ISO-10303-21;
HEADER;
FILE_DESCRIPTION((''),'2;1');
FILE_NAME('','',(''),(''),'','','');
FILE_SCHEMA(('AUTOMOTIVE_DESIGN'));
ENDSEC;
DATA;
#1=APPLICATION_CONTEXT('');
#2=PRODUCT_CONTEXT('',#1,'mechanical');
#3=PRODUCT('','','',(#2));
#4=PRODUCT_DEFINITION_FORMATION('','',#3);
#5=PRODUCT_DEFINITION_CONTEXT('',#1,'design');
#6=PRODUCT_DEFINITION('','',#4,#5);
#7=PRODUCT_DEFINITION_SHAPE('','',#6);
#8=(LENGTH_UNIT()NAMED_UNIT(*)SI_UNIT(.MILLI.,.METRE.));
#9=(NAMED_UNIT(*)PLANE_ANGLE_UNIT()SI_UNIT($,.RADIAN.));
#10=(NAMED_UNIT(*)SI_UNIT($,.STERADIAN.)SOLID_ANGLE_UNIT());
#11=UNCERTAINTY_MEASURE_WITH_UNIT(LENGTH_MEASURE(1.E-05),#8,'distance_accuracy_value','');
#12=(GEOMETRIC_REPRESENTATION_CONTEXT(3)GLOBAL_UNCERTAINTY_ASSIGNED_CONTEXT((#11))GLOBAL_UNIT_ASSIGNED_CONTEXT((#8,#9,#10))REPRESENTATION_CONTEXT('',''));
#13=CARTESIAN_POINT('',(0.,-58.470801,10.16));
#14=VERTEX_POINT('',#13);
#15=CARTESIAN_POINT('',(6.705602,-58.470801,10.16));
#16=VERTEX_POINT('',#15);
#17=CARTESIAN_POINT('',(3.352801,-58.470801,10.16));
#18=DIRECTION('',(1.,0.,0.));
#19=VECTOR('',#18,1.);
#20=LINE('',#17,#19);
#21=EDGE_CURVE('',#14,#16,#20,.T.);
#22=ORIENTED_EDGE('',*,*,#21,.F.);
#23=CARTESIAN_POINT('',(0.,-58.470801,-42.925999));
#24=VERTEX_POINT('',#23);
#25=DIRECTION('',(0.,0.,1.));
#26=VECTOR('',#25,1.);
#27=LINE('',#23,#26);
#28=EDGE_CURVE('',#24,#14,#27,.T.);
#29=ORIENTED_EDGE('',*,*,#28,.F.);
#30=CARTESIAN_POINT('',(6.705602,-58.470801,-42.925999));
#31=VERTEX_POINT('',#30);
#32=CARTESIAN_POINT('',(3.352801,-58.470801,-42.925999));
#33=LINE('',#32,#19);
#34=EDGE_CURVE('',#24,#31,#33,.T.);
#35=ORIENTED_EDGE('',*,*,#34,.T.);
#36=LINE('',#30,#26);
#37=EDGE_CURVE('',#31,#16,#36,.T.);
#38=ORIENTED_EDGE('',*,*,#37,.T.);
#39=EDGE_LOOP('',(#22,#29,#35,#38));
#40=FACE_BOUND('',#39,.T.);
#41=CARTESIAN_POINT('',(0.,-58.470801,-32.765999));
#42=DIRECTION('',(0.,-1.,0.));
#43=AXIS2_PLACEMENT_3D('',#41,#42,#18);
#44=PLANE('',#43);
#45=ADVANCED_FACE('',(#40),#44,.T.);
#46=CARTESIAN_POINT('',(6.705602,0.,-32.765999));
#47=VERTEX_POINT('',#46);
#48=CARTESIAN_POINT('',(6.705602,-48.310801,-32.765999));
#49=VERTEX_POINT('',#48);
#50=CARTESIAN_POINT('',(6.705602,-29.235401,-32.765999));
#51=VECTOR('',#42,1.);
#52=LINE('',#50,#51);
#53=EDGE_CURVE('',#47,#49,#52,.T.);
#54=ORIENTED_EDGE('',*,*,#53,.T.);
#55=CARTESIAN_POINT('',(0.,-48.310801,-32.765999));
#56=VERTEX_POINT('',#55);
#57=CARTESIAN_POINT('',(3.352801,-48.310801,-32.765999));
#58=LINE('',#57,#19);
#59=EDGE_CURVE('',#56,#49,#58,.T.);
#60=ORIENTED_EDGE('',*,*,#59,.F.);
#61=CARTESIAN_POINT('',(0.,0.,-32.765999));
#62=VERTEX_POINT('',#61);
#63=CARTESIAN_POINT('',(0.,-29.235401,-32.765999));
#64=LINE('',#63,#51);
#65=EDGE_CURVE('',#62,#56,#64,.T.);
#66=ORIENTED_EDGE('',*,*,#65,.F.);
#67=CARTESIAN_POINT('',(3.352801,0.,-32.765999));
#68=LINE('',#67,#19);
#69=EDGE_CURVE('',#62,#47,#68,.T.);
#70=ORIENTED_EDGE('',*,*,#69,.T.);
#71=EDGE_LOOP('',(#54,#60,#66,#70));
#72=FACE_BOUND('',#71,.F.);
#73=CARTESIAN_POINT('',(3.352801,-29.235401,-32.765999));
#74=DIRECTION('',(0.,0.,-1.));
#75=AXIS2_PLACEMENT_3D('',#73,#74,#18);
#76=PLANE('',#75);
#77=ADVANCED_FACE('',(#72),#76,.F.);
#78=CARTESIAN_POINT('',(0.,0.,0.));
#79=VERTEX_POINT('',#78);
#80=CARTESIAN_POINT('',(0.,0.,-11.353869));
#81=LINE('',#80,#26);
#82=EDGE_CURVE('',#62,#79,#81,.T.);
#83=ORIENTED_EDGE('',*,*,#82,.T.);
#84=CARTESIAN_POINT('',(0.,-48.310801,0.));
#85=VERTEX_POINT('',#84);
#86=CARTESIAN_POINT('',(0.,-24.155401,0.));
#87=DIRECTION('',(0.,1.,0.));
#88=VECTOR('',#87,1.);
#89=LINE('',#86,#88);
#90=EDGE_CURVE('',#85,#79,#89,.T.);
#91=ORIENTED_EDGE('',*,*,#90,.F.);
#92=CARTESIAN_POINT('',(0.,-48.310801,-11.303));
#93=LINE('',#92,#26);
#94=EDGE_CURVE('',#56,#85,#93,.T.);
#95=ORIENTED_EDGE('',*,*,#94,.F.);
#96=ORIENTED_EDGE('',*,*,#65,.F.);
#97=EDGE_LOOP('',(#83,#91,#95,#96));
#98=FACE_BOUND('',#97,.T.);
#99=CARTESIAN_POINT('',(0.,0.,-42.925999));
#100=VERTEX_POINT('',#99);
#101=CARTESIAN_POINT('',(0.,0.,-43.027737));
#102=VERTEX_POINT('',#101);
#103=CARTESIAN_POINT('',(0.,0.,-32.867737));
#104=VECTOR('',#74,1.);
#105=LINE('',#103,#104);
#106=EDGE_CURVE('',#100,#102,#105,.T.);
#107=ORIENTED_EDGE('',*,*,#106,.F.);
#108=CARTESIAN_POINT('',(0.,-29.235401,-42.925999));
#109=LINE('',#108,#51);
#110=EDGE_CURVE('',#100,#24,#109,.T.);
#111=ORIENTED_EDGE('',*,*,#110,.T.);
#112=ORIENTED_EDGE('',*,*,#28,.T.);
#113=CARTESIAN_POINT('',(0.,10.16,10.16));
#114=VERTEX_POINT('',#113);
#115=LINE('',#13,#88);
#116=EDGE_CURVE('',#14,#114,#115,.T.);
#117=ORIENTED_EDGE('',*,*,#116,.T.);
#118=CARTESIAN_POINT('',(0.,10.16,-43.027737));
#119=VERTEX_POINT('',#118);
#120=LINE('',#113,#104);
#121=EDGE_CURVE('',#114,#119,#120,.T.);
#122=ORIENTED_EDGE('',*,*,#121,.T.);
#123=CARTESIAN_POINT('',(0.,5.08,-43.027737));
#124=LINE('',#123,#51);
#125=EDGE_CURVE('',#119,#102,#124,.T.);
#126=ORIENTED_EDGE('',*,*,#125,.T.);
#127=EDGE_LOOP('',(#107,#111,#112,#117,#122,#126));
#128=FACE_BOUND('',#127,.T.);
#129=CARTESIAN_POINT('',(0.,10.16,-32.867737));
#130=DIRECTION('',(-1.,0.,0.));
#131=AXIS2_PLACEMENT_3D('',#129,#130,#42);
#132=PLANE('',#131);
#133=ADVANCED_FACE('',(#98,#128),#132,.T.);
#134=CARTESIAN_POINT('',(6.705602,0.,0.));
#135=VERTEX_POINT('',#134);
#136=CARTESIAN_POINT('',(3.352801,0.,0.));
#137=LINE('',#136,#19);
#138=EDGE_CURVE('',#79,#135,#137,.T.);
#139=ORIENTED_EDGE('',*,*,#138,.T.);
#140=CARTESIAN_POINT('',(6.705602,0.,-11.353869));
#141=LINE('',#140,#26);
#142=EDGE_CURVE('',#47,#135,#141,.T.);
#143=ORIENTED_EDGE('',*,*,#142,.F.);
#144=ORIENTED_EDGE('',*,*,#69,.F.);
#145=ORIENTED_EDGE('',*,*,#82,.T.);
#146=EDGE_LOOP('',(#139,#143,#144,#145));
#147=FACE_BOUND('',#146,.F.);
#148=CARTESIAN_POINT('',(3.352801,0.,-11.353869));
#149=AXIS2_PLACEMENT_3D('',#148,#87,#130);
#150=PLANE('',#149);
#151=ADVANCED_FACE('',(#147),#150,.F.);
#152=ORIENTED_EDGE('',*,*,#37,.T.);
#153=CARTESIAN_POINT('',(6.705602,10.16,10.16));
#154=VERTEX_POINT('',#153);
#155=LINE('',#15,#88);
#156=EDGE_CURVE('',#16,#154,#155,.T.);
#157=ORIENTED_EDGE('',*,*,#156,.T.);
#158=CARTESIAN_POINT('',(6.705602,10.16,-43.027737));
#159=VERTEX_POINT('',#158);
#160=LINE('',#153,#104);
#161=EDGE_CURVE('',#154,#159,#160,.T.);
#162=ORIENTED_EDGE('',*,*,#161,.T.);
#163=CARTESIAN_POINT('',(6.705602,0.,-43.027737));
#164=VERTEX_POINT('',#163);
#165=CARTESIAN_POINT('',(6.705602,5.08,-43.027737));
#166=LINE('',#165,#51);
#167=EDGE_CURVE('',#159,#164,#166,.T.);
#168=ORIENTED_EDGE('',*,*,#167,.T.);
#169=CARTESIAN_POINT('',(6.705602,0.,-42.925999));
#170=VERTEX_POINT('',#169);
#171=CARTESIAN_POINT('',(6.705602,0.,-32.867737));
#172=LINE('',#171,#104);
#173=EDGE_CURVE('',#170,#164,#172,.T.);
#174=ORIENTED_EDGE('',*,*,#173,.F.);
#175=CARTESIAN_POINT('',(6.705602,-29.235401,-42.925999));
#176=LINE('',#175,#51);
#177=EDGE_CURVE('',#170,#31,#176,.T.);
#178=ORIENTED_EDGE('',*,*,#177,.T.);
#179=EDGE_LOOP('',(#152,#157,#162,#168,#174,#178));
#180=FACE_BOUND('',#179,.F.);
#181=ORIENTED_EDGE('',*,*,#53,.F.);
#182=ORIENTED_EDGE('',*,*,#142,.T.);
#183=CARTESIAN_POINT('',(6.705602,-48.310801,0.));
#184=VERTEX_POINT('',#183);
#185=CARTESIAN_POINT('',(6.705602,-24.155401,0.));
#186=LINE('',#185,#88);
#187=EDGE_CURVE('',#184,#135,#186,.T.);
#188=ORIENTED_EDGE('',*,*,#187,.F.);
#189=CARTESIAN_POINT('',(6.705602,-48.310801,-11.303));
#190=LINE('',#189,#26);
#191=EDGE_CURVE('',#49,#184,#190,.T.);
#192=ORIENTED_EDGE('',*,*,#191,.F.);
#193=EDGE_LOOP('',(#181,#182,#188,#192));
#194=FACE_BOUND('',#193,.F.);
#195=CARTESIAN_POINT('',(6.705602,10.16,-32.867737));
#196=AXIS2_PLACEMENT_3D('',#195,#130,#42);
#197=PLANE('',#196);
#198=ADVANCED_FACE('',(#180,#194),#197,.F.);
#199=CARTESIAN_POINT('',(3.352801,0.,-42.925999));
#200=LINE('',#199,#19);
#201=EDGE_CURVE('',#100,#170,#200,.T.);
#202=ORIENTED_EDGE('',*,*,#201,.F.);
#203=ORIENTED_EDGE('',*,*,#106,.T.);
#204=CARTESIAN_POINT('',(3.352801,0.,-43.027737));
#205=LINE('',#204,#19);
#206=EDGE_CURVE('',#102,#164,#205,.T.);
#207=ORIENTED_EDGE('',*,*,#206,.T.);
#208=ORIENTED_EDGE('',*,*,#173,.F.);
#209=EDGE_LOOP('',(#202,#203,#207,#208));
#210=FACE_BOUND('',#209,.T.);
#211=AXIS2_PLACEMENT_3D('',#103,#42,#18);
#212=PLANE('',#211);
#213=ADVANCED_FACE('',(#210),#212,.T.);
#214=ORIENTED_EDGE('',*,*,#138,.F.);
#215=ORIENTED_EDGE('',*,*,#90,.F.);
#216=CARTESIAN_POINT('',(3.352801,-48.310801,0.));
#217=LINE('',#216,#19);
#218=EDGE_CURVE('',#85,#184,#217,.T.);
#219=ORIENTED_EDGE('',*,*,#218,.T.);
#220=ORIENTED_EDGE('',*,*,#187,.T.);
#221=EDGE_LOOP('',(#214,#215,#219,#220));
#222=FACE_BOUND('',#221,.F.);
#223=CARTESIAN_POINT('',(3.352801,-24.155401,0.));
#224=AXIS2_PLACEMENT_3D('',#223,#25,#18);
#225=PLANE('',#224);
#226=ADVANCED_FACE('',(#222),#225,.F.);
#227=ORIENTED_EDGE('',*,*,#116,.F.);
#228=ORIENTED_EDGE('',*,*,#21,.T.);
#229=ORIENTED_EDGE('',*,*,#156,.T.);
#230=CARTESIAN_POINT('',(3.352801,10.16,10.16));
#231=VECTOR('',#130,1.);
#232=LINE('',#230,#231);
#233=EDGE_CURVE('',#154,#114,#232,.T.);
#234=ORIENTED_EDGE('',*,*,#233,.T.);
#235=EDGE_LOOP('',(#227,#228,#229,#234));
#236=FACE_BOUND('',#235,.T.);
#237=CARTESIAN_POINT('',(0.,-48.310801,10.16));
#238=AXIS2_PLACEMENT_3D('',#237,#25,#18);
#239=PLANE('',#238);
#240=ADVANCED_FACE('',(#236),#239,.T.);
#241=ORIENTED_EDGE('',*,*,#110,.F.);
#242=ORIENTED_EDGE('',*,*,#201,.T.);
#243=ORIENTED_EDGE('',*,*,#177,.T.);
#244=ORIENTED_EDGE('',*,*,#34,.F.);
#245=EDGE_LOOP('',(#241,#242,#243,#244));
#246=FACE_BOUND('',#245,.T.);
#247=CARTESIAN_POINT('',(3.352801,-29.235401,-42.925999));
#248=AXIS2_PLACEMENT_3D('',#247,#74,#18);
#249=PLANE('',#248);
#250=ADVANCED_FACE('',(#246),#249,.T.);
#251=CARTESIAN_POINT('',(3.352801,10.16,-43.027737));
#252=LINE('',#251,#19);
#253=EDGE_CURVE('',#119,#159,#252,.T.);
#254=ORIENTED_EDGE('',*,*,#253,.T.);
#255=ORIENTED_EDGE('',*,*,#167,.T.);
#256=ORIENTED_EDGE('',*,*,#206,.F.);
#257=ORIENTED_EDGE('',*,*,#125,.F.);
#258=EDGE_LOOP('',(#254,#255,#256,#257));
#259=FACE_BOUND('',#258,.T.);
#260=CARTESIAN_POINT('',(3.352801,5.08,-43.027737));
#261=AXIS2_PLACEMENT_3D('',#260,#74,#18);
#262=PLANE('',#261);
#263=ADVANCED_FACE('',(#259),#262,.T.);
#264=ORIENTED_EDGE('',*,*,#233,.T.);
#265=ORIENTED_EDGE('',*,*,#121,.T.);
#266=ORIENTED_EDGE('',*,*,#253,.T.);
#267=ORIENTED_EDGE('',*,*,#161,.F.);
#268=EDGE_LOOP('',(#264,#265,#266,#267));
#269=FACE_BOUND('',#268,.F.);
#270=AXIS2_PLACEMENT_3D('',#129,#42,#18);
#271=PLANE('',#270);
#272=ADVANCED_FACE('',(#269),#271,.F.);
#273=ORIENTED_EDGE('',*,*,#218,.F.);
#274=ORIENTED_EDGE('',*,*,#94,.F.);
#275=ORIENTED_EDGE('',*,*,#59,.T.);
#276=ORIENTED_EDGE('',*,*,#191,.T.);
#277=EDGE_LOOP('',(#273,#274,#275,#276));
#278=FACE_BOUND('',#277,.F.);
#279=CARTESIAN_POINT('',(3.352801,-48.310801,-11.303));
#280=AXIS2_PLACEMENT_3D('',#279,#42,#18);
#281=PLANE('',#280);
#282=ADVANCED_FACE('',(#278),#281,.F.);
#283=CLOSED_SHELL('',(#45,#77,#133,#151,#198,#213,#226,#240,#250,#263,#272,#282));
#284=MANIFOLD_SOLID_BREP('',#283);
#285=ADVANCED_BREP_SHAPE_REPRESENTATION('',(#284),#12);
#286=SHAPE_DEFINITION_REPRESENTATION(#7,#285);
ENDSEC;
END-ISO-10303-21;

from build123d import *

# Parameters (mm, degrees)
F0_W     = 6.7056016997
F0_H     = 48.3108013868
F1_DEPTH = 10.16
F2_W     = 6.7056016997
F2_H     = 43.0277371144
F3_DEPTH = 10.16
F4_W     = 6.7056016997
F4_H     = 42.9259994364
F5_DEPTH = 10.16
F6_W     = 6.7056016997
F6_H     = 58.4708013868
F7_DEPTH = 10.16
F8_W     = 6.7056016997
F8_H     = 10.16
F9_DEPTH = 10.16


with BuildPart() as f1:
    # F0 (on Top) → F1 (new body)
    with BuildSketch(Plane.XY):
        with Locations((3.3528008498, -24.1554006934)):
            Rectangle(F0_W, F0_H)
    extrude(amount=F1_DEPTH)

    # F2 (on face) → F3 (join)
    with BuildSketch(Plane(origin=(0, 0, 0), x_dir=(-1, 0, 0), z_dir=(0, 1, 0))):
        with Locations((-3.3528008498, -11.3538685572)):
            Rectangle(F2_W, F2_H)
    extrude(amount=F3_DEPTH)

    # F4 (on face) → F5 (join)
    with BuildSketch(Plane.XZ.offset(48.3108013868)):
        with Locations((3.3528008498, -11.3029997182)):
            Rectangle(F4_W, F4_H)
    extrude(amount=F5_DEPTH)

    # F6 (on face) → F7 (join)
    with BuildSketch(Plane(origin=(0, 0, -32.7659994364), x_dir=(1, 0, 0), z_dir=(0, 0, -1))):
        with Locations((3.3528008498, 29.2354006934)):
            Rectangle(F6_W, F6_H)
    extrude(amount=F7_DEPTH)

    # F8 (on face) → F9 (join)
    with BuildSketch(Plane(origin=(0, 0, -32.8677371144), x_dir=(1, 0, 0), z_dir=(0, 0, -1))):
        with Locations((3.3528008498, -5.08)):
            Rectangle(F8_W, F8_H)
    extrude(amount=F9_DEPTH)


solid = f1.part
